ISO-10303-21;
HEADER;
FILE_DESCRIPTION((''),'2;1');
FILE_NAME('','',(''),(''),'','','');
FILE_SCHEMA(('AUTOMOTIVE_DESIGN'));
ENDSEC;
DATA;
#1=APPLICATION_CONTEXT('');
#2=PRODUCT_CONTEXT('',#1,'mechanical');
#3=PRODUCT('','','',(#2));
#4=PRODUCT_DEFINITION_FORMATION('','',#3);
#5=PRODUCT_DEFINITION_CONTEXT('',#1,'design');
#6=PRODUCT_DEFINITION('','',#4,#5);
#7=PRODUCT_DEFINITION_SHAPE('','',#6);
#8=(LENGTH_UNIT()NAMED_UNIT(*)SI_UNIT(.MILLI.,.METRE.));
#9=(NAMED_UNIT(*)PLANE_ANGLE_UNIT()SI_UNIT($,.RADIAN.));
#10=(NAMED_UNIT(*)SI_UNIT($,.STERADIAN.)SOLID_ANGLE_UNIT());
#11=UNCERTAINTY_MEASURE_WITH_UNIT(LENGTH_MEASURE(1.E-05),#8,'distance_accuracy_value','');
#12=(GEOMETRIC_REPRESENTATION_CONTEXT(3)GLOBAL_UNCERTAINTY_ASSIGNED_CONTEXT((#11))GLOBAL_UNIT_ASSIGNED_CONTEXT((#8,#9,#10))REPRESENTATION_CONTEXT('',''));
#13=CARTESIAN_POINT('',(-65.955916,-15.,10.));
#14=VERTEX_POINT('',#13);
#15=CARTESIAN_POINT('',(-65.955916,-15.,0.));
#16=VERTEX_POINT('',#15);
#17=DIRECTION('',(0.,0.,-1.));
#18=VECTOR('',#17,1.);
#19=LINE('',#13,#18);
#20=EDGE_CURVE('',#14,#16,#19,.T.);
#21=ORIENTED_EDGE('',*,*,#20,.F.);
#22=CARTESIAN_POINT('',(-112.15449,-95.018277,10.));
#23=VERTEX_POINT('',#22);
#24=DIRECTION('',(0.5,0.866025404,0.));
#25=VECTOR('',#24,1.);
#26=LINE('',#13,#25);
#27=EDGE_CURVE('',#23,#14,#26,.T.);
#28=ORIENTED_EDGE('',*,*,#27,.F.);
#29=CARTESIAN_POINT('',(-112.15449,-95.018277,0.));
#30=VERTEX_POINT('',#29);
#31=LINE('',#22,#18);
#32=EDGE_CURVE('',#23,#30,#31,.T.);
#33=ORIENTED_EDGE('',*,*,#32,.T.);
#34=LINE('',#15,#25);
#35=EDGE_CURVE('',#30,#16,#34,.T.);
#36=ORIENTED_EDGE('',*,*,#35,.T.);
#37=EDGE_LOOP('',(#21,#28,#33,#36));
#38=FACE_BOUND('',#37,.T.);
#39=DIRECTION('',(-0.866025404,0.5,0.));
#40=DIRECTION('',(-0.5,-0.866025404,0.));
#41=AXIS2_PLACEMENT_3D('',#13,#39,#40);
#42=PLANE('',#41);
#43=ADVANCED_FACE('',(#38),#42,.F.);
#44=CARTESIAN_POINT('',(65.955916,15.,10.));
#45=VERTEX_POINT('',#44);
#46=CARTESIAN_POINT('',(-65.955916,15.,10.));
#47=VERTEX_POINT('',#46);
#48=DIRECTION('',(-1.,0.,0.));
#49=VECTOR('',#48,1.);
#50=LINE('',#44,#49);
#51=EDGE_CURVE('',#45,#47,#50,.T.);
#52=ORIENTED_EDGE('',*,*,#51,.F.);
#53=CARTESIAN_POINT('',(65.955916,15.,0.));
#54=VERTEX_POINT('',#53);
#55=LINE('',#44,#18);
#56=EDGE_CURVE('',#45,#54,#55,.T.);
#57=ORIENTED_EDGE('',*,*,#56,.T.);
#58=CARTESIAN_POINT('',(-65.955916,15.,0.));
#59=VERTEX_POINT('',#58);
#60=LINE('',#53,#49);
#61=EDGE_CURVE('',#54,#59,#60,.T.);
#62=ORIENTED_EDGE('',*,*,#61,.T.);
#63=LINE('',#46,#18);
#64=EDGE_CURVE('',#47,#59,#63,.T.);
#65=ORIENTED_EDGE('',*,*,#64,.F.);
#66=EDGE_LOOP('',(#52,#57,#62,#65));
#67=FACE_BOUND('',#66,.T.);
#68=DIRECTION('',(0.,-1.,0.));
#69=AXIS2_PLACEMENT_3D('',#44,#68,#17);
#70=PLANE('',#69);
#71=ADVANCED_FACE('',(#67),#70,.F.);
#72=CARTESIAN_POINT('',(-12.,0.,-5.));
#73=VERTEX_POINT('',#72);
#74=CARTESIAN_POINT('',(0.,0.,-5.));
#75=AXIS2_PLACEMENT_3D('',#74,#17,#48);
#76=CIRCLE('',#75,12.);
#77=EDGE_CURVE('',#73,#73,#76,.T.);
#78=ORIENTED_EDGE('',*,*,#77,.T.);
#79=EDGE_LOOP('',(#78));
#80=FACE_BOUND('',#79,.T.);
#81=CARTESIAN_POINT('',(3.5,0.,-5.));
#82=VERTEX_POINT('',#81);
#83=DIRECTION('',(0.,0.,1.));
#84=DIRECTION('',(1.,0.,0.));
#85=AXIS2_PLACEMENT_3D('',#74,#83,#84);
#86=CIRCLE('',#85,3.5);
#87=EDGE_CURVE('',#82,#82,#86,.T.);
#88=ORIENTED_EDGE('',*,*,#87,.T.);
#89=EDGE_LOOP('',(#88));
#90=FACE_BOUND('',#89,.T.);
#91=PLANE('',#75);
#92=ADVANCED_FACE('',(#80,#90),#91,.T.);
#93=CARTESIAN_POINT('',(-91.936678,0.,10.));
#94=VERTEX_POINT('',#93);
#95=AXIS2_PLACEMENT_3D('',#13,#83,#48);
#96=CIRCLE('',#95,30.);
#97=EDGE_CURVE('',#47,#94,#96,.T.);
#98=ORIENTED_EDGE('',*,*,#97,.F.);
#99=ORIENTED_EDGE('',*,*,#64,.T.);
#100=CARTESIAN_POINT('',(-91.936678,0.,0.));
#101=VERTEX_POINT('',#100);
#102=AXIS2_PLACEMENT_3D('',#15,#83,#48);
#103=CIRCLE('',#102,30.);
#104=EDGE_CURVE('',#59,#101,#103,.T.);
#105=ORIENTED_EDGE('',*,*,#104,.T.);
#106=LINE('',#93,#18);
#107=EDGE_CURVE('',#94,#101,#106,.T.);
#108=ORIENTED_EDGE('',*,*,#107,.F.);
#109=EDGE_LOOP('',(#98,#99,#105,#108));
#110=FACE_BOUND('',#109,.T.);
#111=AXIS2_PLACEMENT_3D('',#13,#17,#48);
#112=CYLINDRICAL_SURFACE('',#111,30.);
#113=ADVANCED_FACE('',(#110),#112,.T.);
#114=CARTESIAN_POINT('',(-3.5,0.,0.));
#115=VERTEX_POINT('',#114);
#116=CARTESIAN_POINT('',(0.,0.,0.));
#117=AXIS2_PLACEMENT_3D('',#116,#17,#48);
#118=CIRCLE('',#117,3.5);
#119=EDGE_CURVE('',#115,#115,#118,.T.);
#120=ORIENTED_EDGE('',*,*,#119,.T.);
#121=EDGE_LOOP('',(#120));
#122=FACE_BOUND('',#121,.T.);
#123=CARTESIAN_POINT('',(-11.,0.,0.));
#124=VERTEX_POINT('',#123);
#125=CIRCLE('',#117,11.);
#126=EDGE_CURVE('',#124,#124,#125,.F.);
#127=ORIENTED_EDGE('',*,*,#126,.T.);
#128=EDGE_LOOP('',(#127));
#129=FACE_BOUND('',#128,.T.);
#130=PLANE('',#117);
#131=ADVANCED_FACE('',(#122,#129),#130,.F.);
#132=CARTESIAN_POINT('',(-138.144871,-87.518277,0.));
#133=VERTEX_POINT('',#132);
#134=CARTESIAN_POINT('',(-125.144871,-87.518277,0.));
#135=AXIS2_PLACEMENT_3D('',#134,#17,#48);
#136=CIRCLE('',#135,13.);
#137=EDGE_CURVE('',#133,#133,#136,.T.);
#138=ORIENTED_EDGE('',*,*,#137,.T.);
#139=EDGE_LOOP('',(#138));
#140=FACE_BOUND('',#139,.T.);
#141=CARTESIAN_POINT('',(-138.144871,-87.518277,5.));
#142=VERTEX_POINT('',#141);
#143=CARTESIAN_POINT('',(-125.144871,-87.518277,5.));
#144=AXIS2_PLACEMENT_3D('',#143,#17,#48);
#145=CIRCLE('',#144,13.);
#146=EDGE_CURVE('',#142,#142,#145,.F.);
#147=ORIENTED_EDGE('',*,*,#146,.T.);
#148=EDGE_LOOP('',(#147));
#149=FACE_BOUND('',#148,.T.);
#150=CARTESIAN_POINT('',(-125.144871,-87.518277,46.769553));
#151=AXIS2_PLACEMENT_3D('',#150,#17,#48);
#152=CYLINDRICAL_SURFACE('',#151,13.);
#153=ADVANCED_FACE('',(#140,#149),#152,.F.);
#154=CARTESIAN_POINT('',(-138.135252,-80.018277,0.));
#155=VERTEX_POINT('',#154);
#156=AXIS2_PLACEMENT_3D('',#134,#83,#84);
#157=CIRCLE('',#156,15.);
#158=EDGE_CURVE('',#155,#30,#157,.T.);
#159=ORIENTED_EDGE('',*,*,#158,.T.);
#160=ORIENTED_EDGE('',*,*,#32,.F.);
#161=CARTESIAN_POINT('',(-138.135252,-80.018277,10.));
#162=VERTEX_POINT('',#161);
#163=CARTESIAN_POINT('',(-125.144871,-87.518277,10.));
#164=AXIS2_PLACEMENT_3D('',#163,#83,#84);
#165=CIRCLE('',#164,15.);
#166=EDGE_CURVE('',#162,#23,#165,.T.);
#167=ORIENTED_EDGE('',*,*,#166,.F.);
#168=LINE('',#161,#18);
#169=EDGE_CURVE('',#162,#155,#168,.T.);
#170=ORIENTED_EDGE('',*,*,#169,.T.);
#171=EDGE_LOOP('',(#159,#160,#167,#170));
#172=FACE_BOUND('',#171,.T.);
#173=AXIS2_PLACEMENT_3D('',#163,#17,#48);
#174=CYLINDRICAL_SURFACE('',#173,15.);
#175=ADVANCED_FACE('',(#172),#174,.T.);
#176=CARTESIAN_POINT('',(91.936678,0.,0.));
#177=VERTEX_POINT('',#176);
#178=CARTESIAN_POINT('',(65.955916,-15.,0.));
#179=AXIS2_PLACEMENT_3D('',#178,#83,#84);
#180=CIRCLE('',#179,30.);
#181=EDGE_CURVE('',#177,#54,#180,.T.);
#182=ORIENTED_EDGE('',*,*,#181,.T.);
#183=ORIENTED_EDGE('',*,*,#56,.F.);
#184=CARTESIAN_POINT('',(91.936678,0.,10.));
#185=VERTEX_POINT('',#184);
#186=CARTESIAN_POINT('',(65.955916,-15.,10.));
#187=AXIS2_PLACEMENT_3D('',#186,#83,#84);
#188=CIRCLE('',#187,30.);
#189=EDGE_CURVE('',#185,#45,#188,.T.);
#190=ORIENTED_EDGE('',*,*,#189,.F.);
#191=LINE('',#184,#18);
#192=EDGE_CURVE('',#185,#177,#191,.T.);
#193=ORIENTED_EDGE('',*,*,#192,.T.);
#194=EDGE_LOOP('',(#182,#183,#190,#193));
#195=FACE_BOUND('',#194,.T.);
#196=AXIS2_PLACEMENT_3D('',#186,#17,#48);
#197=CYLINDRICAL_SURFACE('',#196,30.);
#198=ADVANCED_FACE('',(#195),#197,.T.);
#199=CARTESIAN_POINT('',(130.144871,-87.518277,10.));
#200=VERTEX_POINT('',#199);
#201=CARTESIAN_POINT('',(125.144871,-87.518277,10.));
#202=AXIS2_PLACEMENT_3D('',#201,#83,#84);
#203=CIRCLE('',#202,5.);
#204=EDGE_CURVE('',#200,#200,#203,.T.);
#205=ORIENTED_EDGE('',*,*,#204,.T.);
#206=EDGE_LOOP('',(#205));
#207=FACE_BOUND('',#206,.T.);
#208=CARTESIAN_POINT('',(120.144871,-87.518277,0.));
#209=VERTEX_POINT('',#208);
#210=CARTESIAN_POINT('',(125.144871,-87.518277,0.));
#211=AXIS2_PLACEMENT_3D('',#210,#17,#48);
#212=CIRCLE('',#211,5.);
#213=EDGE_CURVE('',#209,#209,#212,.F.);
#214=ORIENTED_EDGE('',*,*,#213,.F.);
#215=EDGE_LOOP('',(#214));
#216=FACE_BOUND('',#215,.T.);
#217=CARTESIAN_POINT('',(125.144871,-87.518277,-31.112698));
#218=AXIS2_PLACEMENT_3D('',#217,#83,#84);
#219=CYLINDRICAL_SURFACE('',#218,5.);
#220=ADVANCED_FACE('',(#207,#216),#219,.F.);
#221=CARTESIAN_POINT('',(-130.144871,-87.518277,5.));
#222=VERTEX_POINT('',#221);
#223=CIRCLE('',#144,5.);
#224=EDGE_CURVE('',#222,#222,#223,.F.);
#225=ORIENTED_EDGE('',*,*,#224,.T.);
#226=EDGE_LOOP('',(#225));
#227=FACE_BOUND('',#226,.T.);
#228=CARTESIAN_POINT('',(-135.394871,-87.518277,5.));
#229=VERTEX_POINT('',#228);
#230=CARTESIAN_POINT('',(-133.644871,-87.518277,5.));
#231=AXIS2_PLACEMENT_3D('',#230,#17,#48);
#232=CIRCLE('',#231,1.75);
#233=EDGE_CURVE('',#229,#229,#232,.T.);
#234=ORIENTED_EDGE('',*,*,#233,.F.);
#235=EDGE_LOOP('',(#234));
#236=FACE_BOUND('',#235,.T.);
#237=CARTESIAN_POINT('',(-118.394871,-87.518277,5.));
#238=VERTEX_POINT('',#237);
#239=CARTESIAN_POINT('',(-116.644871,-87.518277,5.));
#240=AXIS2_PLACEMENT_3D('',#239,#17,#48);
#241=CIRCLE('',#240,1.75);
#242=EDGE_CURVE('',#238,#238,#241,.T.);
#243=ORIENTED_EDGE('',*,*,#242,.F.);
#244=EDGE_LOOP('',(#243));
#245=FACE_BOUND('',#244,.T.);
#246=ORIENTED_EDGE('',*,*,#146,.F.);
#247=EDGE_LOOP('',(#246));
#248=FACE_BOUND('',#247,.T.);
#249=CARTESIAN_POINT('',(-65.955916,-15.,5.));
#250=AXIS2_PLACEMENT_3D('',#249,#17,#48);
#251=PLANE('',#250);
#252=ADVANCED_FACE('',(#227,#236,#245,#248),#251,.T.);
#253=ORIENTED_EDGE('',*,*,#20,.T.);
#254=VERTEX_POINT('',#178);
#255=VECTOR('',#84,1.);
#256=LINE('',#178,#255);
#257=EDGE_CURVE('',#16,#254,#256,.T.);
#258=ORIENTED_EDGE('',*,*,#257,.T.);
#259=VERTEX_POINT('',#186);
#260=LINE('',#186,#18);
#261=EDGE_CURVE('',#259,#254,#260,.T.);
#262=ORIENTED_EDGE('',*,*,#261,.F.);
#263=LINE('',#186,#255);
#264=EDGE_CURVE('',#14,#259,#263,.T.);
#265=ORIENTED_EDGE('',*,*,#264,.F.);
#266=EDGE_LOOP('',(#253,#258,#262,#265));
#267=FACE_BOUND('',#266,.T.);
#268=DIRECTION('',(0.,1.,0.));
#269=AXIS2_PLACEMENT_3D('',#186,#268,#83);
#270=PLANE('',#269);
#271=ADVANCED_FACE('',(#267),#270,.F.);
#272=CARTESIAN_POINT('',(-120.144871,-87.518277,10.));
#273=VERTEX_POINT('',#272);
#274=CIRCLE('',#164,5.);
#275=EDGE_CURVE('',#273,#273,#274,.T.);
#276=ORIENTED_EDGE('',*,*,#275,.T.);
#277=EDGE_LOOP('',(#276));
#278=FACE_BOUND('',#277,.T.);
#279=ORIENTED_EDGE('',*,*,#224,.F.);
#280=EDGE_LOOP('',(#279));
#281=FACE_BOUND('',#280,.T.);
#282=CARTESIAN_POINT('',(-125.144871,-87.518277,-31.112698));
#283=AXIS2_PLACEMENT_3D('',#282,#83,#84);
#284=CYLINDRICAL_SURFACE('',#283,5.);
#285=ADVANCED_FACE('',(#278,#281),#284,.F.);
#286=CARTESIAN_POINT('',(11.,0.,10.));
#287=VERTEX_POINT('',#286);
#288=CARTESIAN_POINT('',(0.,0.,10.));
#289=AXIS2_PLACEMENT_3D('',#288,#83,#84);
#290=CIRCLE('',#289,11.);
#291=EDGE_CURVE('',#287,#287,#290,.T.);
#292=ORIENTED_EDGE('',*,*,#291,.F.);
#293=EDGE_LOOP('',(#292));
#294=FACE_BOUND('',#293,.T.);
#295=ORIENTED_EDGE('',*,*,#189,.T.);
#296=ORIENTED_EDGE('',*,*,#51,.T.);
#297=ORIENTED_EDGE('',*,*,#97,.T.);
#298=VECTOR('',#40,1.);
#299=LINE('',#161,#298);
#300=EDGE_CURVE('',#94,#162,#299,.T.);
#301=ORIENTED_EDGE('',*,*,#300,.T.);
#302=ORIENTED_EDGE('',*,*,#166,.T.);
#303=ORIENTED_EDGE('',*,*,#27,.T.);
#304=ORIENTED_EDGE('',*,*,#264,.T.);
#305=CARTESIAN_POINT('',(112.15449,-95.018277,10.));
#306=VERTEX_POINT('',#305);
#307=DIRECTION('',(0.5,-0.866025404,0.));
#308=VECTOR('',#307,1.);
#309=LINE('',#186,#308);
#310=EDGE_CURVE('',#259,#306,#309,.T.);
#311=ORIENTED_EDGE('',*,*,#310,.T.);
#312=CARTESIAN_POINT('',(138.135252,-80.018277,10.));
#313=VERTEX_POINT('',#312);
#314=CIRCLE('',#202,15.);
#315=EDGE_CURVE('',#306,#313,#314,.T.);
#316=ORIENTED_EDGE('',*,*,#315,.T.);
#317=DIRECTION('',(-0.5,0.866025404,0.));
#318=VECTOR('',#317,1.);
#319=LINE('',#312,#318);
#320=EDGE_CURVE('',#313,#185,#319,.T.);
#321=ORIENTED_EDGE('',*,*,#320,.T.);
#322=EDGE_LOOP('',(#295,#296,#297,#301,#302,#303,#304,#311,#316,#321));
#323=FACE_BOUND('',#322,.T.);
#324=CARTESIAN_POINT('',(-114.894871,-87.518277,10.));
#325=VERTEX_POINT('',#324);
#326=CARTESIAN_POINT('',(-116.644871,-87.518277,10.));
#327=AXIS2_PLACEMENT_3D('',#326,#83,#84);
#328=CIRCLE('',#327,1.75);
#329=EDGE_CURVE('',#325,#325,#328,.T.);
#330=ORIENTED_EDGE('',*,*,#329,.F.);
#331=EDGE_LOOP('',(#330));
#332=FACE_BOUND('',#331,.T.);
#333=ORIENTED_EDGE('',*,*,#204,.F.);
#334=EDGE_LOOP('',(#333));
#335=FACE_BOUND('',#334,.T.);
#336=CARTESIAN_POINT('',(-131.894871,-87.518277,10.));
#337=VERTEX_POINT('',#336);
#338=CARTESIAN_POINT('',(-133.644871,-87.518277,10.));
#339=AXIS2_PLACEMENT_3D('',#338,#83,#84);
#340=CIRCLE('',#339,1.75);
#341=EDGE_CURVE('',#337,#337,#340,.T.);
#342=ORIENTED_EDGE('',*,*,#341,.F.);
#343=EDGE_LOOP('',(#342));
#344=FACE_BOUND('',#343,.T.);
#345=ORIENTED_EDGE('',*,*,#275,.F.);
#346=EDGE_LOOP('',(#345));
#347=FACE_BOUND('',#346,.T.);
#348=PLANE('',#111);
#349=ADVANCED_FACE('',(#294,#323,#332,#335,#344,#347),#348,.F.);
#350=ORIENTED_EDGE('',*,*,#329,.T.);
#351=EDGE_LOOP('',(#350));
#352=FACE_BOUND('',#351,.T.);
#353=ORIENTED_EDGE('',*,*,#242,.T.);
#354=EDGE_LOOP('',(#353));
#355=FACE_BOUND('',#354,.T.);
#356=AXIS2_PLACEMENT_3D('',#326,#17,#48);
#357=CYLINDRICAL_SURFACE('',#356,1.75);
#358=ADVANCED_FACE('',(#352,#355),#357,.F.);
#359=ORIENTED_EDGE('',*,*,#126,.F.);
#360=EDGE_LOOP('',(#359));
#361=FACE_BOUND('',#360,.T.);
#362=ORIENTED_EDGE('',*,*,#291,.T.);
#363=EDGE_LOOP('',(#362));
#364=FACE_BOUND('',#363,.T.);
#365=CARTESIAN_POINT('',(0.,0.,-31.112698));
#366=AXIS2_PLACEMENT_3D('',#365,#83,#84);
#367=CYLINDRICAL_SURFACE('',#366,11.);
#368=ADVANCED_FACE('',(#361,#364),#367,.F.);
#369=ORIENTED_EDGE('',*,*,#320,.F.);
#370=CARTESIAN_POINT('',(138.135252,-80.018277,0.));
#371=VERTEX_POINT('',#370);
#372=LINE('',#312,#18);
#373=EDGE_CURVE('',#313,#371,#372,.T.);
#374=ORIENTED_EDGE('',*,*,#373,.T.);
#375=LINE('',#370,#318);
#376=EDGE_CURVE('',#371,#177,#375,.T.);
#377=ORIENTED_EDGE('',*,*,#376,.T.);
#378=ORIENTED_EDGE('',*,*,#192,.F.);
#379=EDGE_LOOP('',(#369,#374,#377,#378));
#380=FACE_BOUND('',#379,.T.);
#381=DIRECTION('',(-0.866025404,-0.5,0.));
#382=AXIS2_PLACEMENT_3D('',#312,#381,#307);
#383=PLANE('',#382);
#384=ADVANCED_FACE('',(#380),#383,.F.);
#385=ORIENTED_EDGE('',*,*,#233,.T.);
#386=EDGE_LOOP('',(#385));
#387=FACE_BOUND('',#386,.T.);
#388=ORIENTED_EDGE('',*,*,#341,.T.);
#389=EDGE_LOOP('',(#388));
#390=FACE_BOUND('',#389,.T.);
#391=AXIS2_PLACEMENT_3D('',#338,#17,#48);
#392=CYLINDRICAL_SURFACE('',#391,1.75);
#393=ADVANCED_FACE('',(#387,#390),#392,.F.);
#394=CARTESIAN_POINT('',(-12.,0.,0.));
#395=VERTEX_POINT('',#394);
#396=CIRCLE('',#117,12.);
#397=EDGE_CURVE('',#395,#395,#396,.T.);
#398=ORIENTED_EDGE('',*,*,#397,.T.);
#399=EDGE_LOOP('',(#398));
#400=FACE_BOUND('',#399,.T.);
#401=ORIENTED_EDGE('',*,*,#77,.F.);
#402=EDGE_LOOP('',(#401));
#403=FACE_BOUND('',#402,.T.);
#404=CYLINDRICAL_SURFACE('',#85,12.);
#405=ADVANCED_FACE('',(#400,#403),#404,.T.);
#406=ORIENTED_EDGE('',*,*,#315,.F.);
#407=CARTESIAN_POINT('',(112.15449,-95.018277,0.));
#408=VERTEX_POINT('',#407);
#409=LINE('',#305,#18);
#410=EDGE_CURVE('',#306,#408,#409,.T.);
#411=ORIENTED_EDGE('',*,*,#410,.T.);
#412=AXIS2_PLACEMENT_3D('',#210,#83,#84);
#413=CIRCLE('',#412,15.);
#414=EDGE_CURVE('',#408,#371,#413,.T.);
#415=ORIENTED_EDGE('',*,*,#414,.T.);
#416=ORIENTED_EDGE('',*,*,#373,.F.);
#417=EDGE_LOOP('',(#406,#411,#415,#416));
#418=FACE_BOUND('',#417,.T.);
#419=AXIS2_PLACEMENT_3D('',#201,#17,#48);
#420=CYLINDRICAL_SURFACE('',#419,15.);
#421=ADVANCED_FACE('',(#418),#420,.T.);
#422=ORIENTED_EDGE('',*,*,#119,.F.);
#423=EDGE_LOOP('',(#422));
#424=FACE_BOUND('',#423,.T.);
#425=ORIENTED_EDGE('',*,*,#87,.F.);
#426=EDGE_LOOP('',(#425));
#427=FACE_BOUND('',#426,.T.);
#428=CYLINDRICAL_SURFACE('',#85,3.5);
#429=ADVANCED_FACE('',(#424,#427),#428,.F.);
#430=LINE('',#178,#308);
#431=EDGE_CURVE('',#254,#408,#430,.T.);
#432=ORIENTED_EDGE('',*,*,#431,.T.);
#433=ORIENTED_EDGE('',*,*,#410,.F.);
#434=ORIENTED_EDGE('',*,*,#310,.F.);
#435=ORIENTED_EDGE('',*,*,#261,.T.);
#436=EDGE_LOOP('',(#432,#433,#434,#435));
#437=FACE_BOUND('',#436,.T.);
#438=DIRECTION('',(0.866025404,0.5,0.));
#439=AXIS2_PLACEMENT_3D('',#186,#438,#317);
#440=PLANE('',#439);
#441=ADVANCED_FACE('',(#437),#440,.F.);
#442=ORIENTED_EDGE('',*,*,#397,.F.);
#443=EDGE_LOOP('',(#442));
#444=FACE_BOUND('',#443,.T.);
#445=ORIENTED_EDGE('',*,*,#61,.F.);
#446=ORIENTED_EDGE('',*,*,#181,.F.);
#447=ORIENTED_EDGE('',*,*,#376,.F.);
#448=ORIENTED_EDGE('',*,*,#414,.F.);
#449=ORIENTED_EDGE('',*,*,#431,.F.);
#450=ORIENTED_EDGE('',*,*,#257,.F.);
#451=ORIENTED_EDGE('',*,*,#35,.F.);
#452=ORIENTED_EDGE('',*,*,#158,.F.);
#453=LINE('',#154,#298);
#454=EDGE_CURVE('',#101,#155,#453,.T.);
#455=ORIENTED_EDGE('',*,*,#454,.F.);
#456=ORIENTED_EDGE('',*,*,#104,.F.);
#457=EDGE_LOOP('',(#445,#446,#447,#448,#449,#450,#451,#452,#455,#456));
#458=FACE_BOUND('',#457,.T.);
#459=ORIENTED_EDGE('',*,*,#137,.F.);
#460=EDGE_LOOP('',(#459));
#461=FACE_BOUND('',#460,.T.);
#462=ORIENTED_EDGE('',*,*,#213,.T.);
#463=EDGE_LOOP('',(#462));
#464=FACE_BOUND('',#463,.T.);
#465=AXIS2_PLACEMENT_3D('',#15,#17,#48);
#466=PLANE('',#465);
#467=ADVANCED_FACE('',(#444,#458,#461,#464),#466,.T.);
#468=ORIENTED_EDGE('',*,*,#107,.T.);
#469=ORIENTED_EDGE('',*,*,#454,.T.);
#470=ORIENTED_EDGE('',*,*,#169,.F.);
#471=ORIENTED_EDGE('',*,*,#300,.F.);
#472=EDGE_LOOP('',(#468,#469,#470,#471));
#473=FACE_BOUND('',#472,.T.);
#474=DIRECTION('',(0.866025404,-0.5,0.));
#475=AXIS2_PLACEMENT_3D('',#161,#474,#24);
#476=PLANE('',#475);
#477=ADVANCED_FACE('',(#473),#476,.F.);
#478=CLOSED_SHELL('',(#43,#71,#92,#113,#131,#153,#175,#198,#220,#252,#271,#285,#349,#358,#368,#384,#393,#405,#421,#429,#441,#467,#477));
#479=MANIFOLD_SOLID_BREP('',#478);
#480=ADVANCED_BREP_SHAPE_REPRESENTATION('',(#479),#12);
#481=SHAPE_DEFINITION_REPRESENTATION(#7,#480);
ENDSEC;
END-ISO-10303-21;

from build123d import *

# Parameters (mm, degrees)
SKETCH1_R           = 1.75
BOSS_EXTRUDE1_DEPTH = 10
SKETCH2_R           = 11
SKETCH2_R_2         = 5
CUT_EXTRUDE1_DEPTH  = 10
SKETCH3_R           = 12
BOSS_EXTRUDE2_DEPTH = 5
SKETCH4_R           = 13
CUT_EXTRUDE2_DEPTH  = 5
SKETCH5_R           = 3.5
CUT_EXTRUDE3_DEPTH  = 175.285919969


with BuildPart() as part:
    # Sketch1 → Boss-Extrude1 (new body)
    with BuildSketch(Plane.XY):
        with BuildLine():
            Line((65.95591629, 15), (-65.95591629, 15))
            ThreePointArc((-65.95591629, 15), (-80.95591629, 10.980762114), (-91.936678404, 0))
            Line((-91.936678404, 0), (-138.135251983, -80.018276676))
            ThreePointArc((-138.135251983, -80.018276676), (-132.644870926, -100.508657733), (-112.154489869, -95.018276676))
            Line((-112.154489869, -95.018276676), (-65.95591629, -15))
            Line((-65.95591629, -15), (65.95591629, -15))
            Line((65.95591629, -15), (112.154489869, -95.018276676))
            ThreePointArc((112.154489869, -95.018276676), (132.644870926, -100.508657733), (138.135251983, -80.018276676))
            Line((138.135251983, -80.018276676), (91.936678404, 0))
            ThreePointArc((91.936678404, 0), (80.95591629, 10.980762114), (65.95591629, 15))
        make_face()
        with Locations((-133.644870926, -87.518276676)):
            Circle(SKETCH1_R, mode=Mode.SUBTRACT)
        with Locations((-116.644870926, -87.518276676)):
            Circle(SKETCH1_R, mode=Mode.SUBTRACT)
    extrude(amount=BOSS_EXTRUDE1_DEPTH)

    # Sketch2 → Cut-Extrude1 (cut)
    with BuildSketch(Plane.XY.offset(10)):
        Circle(SKETCH2_R)
        with Locations((-125.144870926, -87.518276676)):
            Circle(SKETCH2_R_2)
        with Locations((125.144870926, -87.518276676)):
            Circle(SKETCH2_R_2)
    extrude(amount=-CUT_EXTRUDE1_DEPTH, mode=Mode.SUBTRACT)

    # Sketch3 → Boss-Extrude2 (add)
    with BuildSketch(Plane(origin=(0, 0, 0), x_dir=(-1, 0, 0), z_dir=(0, 0, -1))):
        Circle(SKETCH3_R)
    extrude(amount=BOSS_EXTRUDE2_DEPTH)

    # Sketch4 → Cut-Extrude2 (cut)
    with BuildSketch(Plane(origin=(0, 0, 0), x_dir=(-1, 0, 0), z_dir=(0, 0, -1))):
        with Locations((125.144870926, -87.518276676)):
            Circle(SKETCH4_R)
    extrude(amount=-CUT_EXTRUDE2_DEPTH, mode=Mode.SUBTRACT)

    # Sketch5 → Cut-Extrude3 (cut, through all)
    with BuildSketch(Plane.XY.offset(10)):
        Circle(SKETCH5_R)
    extrude(amount=-CUT_EXTRUDE3_DEPTH, mode=Mode.SUBTRACT)


solid = part.part
